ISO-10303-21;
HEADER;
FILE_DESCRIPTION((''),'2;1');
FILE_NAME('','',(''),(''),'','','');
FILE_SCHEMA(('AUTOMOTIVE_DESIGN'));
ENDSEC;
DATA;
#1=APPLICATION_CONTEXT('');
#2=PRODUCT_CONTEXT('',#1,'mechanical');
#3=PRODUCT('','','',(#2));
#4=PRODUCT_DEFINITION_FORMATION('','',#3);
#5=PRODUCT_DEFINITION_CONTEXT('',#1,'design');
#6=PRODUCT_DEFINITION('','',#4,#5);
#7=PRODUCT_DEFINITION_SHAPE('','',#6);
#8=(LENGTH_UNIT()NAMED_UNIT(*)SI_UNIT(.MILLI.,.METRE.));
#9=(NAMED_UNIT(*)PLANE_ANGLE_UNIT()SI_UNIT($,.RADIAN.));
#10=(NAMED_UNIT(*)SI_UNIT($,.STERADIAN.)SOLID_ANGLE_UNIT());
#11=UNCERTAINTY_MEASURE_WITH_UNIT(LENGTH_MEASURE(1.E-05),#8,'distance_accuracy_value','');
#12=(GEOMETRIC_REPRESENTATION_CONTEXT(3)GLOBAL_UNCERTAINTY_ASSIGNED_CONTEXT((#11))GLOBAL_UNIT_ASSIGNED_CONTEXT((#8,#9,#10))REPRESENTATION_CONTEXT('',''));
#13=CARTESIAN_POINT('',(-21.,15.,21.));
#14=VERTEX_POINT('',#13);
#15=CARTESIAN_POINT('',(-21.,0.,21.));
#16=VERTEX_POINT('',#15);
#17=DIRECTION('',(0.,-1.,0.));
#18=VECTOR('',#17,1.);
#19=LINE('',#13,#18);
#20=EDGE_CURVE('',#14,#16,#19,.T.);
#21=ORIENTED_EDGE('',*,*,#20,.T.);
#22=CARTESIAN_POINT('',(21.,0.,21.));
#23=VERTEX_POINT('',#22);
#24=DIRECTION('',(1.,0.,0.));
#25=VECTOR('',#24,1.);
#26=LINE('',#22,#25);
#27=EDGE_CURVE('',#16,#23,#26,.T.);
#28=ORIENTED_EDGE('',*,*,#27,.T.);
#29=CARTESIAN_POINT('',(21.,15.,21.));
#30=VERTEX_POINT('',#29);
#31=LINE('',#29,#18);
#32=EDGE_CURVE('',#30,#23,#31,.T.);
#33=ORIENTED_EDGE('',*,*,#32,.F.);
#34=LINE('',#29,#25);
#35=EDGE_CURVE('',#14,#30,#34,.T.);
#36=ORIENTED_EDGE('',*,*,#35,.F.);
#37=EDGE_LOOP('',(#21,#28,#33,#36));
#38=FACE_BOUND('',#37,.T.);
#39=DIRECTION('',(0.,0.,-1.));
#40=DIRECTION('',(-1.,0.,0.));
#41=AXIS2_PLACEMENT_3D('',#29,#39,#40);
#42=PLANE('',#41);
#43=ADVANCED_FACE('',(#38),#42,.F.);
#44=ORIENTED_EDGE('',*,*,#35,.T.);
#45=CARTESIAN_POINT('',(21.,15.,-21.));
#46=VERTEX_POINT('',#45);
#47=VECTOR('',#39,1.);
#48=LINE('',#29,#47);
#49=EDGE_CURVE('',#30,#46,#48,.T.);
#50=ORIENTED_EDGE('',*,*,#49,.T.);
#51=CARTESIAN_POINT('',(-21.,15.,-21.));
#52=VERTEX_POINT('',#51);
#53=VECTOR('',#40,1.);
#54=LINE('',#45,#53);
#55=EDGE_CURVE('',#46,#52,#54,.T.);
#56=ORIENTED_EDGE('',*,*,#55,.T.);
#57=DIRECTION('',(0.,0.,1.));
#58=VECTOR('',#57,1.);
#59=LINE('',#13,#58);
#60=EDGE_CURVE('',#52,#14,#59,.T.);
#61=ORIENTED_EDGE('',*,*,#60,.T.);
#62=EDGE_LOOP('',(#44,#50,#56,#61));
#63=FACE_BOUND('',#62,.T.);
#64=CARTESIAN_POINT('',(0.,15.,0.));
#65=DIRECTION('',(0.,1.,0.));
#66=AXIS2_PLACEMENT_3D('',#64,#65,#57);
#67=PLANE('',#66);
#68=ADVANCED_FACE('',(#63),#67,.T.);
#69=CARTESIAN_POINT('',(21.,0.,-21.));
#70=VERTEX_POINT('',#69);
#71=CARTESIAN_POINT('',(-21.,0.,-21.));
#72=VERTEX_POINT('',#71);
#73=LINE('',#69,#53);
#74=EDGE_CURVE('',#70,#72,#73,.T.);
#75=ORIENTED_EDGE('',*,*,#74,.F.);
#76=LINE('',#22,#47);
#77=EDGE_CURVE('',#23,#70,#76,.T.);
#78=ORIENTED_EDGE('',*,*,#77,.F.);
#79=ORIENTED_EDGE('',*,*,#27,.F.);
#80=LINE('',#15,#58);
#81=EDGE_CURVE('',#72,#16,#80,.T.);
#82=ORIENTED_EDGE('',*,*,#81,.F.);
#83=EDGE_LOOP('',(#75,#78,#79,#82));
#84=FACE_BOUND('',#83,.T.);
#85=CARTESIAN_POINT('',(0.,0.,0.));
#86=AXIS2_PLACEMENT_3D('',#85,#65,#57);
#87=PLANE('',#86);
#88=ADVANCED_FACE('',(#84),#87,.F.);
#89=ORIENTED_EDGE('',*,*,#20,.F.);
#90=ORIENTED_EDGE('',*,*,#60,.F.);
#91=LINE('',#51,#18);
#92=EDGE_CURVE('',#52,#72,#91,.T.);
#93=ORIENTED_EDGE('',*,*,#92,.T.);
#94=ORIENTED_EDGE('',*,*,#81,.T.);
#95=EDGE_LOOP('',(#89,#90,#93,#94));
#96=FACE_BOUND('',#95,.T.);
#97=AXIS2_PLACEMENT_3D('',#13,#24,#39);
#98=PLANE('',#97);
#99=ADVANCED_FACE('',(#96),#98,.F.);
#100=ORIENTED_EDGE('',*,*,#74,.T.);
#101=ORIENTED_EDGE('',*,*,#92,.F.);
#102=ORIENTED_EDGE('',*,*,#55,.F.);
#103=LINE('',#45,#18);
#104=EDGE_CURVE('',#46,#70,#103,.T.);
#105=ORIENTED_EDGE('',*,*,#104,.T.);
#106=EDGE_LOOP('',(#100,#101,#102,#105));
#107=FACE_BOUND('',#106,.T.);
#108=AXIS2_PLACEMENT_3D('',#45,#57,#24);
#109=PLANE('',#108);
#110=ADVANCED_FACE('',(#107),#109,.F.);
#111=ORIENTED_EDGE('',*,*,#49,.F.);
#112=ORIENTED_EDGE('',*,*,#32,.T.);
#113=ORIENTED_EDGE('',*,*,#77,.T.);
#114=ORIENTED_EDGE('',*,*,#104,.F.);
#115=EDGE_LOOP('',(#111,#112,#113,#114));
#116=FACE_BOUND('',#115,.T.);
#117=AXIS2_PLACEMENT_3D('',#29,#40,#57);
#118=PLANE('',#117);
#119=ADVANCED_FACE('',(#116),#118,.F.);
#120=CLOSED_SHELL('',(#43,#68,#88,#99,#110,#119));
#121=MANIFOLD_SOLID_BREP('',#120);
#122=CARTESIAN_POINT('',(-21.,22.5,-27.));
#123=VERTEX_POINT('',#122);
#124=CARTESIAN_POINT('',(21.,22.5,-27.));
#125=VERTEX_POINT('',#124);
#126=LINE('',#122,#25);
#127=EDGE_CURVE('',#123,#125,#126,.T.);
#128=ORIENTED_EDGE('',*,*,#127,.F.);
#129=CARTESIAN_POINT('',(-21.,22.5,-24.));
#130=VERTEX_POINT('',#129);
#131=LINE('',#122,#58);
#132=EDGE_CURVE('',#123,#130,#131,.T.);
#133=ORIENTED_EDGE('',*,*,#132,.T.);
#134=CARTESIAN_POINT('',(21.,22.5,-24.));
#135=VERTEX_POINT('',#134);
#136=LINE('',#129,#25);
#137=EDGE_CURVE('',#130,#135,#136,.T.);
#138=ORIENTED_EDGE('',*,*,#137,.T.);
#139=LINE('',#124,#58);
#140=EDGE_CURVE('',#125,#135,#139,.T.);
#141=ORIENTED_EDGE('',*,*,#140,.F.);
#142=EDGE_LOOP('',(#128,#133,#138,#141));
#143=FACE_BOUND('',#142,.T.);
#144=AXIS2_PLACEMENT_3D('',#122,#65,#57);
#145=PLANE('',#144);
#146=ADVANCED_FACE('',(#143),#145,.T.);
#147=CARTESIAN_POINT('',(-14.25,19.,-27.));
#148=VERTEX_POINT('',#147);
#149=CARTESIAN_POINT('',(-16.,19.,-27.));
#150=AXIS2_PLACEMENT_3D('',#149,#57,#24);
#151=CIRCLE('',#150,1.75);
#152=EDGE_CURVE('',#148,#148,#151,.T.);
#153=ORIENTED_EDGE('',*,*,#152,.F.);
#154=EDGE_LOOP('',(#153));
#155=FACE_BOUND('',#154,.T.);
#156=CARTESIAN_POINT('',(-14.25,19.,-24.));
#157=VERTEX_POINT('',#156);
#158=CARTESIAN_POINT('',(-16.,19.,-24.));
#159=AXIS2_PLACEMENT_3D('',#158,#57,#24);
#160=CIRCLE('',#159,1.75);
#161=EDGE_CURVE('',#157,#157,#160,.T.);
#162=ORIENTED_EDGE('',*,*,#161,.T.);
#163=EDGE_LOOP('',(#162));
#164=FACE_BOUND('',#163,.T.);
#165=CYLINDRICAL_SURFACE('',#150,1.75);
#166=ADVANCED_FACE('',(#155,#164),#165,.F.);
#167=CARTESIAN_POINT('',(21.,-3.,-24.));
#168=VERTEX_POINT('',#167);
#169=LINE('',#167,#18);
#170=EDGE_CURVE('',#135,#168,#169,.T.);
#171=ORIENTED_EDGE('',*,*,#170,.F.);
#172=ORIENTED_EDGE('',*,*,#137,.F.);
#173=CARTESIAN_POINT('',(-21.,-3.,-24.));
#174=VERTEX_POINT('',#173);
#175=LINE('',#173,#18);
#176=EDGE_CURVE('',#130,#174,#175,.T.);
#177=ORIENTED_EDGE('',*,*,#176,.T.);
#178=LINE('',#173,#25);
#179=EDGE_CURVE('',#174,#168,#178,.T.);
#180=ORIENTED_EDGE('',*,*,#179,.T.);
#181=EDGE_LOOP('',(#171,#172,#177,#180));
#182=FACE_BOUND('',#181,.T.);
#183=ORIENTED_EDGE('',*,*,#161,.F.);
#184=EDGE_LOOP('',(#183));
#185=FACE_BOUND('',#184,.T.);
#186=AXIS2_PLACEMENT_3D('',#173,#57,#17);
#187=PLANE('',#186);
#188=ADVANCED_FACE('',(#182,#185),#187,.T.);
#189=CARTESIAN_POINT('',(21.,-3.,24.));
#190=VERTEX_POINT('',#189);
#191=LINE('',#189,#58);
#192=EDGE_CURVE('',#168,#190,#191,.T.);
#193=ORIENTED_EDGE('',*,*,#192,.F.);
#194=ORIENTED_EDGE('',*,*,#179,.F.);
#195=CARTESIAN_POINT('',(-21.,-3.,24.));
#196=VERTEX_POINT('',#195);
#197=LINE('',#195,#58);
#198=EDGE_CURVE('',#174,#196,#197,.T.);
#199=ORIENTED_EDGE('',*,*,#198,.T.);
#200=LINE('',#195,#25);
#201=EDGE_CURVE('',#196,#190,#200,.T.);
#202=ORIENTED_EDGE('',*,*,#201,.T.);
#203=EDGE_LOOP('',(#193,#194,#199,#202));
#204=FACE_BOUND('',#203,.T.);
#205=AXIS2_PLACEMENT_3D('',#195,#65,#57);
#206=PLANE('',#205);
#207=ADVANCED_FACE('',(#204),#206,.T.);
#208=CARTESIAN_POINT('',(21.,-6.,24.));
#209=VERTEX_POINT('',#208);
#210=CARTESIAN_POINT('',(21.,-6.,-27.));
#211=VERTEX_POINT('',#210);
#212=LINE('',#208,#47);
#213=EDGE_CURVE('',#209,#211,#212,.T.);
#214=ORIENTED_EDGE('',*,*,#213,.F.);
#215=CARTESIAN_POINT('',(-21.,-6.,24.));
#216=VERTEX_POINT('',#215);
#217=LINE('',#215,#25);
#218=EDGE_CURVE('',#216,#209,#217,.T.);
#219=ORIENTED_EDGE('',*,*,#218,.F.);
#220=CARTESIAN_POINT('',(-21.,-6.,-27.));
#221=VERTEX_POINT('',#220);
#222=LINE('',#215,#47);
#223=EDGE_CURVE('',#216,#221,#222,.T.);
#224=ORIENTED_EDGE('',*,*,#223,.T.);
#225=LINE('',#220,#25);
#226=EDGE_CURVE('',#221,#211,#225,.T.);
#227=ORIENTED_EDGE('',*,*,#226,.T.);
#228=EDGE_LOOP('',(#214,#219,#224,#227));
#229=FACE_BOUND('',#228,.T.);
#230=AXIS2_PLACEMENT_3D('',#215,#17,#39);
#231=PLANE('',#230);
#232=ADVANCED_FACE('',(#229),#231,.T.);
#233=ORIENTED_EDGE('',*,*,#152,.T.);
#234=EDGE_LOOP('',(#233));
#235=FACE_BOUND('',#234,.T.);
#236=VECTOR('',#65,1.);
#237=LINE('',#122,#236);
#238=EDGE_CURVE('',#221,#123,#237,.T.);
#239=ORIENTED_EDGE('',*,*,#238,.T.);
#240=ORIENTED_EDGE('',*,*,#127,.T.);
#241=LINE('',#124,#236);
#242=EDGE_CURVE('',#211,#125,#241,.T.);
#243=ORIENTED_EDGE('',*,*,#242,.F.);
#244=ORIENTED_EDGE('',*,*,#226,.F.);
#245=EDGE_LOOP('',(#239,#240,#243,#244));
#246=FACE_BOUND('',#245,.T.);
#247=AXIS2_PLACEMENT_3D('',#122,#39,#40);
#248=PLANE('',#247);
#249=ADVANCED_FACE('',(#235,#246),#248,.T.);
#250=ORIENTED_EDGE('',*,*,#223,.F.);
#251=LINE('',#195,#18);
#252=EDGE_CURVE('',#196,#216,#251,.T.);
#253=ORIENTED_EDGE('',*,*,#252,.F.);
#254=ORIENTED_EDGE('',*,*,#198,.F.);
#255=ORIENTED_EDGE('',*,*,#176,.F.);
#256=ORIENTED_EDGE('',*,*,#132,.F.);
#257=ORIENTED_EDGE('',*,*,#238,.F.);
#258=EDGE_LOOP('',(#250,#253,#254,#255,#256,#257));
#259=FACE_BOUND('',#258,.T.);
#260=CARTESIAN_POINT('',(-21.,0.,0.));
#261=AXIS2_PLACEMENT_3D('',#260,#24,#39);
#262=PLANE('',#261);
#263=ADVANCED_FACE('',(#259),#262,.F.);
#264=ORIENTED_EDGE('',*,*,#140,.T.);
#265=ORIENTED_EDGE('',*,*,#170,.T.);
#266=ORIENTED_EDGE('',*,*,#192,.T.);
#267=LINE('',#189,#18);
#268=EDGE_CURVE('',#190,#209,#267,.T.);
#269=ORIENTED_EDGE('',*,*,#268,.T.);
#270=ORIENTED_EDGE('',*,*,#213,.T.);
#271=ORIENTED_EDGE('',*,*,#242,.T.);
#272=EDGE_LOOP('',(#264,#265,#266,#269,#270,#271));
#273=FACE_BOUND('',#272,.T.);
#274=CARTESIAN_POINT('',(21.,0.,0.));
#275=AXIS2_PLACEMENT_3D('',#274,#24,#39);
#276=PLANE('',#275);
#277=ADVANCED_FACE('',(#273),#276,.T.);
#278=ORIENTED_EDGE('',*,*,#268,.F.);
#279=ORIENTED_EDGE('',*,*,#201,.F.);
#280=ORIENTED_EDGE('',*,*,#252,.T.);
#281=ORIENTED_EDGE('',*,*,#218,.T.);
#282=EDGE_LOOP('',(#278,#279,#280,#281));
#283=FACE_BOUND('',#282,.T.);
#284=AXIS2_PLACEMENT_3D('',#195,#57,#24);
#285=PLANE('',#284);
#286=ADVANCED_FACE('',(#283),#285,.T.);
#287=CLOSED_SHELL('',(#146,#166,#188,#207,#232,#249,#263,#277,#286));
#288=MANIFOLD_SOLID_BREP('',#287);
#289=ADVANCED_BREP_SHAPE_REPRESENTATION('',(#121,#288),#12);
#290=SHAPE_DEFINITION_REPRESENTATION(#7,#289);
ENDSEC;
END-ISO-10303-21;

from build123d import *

# Parameters (mm, degrees)
CROQUIS1_W              = 42
CROQUIS1_H              = 42
SALIENTE_EXTRUIR1_DEPTH = 15
SALIENTE_EXTRUIR2_DEPTH = 42
CROQUIS3_R              = 1.75
CORTAR_EXTRUIR1_DEPTH   = 58.019733426


with BuildPart() as part:
    # Croquis1 → Saliente-Extruir1 (new body)
    with BuildSketch(Plane(origin=(0, 0, 0), x_dir=(1, 0, 0), z_dir=(0, 1, 0))):
        Rectangle(CROQUIS1_W, CROQUIS1_H)
    extrude(amount=SALIENTE_EXTRUIR1_DEPTH)


with BuildPart() as body_2:
    # Croquis2 → Saliente-Extruir2 (new body)
    with BuildSketch(Plane(origin=(21, 0, 0), x_dir=(0, 0, -1), z_dir=(1, 0, 0))):
        Polygon((-24, -3), (-24, -6), (27, -6), (27, 22.5), (24, 22.5), (24, -3), align=None)
    extrude(amount=-SALIENTE_EXTRUIR2_DEPTH)

    # Croquis3 → Cortar-Extruir1 (cut, through all)
    with BuildSketch(Plane.XY.offset(-24)):
        with Locations((-16, 19)):
            Circle(CROQUIS3_R)
    extrude(amount=-CORTAR_EXTRUIR1_DEPTH, mode=Mode.SUBTRACT)


solid = Compound([part.part, body_2.part])
